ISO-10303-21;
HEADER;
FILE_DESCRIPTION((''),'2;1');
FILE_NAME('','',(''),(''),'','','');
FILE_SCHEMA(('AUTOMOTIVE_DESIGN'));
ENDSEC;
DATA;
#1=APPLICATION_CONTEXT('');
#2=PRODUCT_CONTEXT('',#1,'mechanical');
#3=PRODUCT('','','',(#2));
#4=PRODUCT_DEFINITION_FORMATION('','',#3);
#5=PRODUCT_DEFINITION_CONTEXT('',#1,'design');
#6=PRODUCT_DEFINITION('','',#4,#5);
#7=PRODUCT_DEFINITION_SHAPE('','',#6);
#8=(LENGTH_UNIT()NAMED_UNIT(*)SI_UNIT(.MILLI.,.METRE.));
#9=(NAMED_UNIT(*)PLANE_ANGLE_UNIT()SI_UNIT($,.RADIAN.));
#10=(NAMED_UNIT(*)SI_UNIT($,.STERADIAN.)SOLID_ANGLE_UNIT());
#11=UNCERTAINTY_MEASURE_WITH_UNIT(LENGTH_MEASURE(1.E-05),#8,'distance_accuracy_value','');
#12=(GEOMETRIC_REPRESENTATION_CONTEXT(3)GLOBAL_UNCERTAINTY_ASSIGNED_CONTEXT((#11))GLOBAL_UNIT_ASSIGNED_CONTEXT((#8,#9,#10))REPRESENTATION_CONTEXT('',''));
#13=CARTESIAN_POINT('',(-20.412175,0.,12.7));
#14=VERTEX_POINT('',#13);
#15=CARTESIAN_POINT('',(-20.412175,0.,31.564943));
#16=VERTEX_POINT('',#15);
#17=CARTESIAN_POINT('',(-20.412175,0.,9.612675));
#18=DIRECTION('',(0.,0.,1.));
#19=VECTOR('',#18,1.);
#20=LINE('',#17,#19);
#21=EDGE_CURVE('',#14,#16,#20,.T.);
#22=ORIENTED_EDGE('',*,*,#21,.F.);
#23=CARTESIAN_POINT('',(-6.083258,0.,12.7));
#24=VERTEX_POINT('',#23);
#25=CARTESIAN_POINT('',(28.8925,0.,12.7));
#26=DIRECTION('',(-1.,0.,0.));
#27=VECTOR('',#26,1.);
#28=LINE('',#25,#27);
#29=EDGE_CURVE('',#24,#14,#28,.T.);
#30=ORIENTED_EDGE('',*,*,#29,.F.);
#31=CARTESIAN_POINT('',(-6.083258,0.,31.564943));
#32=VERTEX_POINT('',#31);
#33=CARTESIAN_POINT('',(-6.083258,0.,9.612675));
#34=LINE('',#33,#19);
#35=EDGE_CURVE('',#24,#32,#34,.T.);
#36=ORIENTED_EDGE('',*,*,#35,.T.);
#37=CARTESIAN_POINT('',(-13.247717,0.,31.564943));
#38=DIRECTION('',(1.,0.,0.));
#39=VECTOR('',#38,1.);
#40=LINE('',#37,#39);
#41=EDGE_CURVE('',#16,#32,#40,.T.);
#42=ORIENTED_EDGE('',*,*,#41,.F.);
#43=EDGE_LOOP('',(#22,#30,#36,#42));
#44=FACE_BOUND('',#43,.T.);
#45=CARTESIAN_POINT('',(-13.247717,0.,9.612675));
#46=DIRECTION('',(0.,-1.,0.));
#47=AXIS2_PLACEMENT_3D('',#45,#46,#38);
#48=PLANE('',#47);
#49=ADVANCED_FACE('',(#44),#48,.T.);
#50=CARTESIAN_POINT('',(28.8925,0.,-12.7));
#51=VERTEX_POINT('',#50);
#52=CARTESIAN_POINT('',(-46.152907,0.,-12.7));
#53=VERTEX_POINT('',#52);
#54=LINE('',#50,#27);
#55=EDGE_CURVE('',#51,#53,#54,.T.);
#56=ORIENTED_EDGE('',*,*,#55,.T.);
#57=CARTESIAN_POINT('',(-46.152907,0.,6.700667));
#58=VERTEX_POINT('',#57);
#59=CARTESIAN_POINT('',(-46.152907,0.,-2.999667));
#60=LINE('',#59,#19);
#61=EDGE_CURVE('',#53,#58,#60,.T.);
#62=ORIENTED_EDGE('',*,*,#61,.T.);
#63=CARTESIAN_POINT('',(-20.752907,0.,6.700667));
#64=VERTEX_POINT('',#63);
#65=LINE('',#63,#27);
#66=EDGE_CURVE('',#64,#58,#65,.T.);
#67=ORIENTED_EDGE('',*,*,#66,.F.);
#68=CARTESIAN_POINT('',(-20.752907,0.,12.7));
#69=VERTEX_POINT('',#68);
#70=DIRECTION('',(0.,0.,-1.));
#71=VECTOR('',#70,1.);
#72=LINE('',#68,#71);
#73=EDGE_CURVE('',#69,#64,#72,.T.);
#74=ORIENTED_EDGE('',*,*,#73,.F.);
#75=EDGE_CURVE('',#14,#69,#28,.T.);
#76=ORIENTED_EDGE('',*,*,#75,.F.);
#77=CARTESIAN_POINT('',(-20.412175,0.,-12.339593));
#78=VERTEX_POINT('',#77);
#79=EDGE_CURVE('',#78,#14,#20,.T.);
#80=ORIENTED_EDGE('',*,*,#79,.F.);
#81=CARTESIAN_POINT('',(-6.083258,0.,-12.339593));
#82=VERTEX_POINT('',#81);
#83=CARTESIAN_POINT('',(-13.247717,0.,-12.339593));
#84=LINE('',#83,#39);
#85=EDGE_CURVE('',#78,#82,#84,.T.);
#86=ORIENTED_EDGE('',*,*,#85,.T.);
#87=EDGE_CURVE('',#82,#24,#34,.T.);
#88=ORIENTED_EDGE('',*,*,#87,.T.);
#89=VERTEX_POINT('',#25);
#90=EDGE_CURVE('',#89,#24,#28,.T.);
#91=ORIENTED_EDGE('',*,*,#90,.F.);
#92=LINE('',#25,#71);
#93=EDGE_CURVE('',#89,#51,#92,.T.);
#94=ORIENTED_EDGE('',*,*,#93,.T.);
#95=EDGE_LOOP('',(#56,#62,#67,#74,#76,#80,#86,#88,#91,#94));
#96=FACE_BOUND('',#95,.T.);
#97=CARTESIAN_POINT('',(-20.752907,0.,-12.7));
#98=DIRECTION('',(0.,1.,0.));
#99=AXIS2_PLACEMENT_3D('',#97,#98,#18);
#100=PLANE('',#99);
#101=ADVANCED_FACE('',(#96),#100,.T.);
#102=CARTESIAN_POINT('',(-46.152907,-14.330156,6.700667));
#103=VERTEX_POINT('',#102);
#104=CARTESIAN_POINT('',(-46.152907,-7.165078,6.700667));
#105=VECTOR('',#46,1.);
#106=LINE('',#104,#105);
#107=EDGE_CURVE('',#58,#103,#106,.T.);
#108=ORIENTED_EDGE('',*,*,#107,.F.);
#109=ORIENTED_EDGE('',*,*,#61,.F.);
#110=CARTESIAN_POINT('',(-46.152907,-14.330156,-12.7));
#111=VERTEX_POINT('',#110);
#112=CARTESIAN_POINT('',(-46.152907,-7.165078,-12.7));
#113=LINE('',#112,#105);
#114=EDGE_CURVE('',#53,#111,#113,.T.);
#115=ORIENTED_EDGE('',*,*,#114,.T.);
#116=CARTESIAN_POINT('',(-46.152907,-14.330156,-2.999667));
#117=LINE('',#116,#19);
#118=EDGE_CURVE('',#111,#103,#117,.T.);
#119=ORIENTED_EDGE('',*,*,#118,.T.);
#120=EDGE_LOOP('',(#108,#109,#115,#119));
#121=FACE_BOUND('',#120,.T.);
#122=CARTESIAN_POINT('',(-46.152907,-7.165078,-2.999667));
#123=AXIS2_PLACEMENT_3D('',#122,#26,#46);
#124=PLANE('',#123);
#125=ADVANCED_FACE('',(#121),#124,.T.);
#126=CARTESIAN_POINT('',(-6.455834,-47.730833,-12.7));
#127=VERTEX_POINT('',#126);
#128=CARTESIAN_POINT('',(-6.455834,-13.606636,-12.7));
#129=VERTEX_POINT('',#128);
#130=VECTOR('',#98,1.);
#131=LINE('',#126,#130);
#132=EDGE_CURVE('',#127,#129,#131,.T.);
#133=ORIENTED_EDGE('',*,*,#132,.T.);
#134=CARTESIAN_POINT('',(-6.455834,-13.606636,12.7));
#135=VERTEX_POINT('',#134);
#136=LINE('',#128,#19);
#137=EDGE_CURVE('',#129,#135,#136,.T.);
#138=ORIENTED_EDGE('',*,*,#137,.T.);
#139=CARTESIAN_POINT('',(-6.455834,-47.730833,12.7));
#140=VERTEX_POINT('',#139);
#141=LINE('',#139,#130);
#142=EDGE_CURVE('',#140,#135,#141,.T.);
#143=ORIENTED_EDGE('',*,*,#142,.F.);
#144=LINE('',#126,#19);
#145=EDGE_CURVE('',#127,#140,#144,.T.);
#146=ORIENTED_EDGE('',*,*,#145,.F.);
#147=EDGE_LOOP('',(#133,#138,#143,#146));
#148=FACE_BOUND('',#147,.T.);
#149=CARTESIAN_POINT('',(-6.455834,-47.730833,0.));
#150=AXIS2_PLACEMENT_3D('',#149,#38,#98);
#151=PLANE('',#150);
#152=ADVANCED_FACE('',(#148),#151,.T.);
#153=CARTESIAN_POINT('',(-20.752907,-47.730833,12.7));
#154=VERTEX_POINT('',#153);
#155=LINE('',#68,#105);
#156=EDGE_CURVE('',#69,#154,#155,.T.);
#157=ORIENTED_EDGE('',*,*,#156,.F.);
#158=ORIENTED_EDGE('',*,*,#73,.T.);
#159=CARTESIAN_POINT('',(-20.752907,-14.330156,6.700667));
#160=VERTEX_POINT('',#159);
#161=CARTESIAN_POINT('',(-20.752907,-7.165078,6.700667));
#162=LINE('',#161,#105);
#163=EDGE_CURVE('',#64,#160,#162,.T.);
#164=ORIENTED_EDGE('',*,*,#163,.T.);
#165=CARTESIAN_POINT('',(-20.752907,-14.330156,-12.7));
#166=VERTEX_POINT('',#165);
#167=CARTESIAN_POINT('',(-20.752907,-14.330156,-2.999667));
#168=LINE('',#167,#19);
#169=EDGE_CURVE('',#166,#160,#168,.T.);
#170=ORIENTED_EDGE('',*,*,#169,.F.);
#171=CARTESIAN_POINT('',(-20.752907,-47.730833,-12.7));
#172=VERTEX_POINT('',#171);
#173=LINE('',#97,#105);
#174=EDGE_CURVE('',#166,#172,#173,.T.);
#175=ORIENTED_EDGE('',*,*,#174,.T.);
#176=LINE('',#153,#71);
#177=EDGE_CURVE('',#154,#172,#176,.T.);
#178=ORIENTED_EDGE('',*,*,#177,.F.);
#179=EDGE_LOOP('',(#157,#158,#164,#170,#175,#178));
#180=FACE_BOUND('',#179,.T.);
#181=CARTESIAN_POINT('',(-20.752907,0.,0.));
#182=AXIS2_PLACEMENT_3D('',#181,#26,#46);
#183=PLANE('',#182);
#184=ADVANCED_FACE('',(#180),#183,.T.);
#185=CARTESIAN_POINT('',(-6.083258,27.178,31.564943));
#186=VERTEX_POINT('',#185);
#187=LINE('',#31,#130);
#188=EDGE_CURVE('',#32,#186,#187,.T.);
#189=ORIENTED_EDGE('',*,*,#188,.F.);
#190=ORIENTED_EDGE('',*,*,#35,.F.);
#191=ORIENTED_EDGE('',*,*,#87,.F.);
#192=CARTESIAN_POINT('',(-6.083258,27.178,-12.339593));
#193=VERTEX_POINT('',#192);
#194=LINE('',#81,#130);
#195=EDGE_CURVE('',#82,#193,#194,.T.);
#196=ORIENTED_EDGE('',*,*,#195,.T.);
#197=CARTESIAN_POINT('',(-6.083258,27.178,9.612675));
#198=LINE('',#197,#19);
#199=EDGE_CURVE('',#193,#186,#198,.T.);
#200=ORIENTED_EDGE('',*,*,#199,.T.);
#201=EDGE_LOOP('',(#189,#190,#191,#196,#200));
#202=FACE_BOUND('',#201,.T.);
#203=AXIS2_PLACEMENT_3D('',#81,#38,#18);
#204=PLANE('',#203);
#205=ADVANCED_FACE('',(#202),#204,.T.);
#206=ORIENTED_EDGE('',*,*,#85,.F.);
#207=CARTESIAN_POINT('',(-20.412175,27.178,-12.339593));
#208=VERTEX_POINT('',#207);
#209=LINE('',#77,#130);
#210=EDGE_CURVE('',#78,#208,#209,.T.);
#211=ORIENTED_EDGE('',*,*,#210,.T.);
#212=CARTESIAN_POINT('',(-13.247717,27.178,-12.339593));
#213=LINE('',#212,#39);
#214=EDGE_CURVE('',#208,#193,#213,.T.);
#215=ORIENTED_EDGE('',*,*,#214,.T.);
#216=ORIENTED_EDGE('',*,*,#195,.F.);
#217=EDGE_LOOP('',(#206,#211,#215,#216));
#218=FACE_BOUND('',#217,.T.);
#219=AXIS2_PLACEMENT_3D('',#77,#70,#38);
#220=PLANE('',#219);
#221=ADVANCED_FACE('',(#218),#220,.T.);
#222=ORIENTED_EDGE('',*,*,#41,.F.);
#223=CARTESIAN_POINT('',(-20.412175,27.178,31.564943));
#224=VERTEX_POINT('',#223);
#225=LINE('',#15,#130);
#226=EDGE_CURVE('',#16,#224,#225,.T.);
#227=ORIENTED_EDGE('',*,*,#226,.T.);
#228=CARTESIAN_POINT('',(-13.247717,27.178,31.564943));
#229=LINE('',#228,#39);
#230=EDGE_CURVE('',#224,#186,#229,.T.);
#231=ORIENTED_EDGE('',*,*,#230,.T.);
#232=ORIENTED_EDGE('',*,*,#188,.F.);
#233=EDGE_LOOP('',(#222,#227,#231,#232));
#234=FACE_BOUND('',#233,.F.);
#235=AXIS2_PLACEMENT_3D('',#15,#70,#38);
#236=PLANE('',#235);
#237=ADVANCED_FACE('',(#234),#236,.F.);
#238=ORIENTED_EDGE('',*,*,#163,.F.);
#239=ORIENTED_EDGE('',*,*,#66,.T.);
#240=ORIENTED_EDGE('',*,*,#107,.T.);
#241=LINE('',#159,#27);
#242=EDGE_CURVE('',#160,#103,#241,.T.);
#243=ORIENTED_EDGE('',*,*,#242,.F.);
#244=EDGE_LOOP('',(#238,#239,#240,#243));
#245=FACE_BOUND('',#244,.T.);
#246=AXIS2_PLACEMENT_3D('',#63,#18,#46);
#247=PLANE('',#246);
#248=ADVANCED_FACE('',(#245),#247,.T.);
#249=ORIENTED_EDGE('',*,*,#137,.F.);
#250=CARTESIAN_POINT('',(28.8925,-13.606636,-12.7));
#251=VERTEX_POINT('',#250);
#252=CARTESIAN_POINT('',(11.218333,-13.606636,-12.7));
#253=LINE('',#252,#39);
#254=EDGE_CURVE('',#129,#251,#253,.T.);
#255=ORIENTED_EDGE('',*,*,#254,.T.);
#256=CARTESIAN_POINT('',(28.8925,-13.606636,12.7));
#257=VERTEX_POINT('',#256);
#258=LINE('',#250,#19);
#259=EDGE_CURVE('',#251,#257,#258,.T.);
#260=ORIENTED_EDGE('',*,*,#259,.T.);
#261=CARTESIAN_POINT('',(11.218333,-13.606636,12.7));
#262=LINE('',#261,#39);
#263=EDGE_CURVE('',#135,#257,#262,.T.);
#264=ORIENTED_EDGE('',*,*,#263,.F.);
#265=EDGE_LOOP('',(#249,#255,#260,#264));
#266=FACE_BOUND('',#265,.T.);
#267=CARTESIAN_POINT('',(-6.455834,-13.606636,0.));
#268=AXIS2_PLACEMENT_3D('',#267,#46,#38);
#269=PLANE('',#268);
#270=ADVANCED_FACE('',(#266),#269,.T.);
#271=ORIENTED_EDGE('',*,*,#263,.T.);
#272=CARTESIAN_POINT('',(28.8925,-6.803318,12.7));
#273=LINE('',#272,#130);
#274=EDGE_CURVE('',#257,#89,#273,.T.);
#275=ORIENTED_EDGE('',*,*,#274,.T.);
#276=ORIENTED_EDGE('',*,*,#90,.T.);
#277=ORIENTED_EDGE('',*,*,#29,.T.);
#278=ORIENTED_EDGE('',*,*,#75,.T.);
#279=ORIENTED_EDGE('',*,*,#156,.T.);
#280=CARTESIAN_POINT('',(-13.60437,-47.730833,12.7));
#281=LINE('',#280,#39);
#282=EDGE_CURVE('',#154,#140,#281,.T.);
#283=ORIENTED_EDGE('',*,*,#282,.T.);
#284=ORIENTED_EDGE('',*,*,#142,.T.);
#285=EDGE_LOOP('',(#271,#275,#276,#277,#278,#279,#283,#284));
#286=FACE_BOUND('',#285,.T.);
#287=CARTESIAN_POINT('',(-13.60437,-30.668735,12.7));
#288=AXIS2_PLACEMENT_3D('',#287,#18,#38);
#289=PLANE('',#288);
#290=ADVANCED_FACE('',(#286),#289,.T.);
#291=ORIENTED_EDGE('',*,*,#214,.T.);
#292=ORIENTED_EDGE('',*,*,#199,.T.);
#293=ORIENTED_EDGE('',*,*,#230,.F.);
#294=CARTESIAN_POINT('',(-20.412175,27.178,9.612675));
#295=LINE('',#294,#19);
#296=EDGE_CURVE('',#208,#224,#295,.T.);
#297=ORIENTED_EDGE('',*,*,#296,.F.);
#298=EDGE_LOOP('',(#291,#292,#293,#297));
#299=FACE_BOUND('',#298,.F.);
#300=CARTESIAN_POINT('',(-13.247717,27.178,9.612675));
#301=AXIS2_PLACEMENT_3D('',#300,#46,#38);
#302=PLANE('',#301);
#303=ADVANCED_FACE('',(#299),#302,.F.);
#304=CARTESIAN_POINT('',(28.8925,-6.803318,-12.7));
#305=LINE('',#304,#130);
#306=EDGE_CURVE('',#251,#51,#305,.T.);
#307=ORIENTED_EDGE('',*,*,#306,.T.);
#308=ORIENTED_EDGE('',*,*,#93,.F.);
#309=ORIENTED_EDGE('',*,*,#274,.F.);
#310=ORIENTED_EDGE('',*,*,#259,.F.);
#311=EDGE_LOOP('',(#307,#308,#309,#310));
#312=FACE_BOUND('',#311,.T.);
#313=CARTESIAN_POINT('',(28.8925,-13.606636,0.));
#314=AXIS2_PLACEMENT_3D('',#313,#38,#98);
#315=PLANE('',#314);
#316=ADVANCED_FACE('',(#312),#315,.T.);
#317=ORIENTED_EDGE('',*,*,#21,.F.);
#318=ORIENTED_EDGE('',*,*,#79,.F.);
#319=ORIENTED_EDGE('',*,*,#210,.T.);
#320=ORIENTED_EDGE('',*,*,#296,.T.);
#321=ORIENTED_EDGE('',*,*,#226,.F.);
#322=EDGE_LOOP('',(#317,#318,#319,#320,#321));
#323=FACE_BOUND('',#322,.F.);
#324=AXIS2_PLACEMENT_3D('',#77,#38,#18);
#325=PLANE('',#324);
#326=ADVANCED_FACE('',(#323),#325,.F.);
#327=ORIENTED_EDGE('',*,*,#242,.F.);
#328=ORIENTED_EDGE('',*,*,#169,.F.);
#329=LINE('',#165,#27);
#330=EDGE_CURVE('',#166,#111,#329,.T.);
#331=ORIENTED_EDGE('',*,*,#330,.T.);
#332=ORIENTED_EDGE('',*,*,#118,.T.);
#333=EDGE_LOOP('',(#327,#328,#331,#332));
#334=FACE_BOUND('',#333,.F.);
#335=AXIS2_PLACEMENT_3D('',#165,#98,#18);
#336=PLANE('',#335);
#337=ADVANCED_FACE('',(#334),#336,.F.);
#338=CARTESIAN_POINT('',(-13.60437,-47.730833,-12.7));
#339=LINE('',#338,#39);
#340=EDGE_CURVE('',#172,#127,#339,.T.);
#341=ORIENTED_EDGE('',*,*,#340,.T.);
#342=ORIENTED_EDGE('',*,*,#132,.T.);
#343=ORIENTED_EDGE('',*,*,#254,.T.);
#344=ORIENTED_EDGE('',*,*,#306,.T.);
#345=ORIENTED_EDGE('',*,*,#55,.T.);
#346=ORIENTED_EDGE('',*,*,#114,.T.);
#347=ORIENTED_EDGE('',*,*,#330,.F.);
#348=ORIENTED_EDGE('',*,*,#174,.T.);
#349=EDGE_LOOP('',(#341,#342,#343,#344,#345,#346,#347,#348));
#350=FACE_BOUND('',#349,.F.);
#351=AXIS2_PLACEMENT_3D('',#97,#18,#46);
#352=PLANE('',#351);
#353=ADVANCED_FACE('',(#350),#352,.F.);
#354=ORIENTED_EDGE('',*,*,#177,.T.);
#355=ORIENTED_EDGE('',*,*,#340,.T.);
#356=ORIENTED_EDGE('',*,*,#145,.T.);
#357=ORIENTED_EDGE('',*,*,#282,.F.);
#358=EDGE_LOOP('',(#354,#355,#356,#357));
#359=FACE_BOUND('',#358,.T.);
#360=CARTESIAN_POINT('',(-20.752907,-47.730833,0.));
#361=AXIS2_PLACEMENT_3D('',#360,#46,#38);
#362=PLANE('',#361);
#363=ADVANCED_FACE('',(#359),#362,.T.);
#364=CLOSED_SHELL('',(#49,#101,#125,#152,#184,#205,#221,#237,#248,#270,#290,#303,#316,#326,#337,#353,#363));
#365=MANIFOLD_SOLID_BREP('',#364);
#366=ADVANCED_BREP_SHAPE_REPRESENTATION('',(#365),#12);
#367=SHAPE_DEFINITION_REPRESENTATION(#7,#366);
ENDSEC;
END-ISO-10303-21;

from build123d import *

# Parameters (mm, degrees)
F0_W     = 14.2970732413
F0_H     = 34.1241974384
F0_H_2   = 13.6066358536
F0_W_2   = 35.348333884
F1_DEPTH = 12.7
F2_W     = 14.3289165571
F2_H     = 43.9045364037
F3_DEPTH = 27.178
F4_W     = 14.3301561475
F4_H     = 19.4006666213
F5_DEPTH = 25.4


with BuildPart() as f1:
    # F0 (on Top) → F1 (new body, symmetric)
    with BuildSketch(Plane.XY):
        with Locations((-13.6043701787, -30.6687345728)):
            Rectangle(F0_W, F0_H)
        with Locations((-13.6043701787, -6.8033179268)):
            Rectangle(F0_W, F0_H_2)
        with Locations((11.218333384, -6.8033179268)):
            Rectangle(F0_W_2, F0_H_2)
    extrude(amount=F1_DEPTH, both=True)

    # F2 (on Front) → F3 (join)
    with BuildSketch(Plane.XZ):
        with Locations((-13.2477167062, 9.6126752906)):
            Rectangle(F2_W, F2_H)
    extrude(amount=-F3_DEPTH)

    # F4 (on face) → F5 (join)
    with BuildSketch(Plane(origin=(-20.7529067993, 0, 0), x_dir=(0, -1, 0), z_dir=(-1, 0, 0))):
        with Locations((7.1650780737, -2.9996666893)):
            Rectangle(F4_W, F4_H)
    extrude(amount=F5_DEPTH)


solid = f1.part
